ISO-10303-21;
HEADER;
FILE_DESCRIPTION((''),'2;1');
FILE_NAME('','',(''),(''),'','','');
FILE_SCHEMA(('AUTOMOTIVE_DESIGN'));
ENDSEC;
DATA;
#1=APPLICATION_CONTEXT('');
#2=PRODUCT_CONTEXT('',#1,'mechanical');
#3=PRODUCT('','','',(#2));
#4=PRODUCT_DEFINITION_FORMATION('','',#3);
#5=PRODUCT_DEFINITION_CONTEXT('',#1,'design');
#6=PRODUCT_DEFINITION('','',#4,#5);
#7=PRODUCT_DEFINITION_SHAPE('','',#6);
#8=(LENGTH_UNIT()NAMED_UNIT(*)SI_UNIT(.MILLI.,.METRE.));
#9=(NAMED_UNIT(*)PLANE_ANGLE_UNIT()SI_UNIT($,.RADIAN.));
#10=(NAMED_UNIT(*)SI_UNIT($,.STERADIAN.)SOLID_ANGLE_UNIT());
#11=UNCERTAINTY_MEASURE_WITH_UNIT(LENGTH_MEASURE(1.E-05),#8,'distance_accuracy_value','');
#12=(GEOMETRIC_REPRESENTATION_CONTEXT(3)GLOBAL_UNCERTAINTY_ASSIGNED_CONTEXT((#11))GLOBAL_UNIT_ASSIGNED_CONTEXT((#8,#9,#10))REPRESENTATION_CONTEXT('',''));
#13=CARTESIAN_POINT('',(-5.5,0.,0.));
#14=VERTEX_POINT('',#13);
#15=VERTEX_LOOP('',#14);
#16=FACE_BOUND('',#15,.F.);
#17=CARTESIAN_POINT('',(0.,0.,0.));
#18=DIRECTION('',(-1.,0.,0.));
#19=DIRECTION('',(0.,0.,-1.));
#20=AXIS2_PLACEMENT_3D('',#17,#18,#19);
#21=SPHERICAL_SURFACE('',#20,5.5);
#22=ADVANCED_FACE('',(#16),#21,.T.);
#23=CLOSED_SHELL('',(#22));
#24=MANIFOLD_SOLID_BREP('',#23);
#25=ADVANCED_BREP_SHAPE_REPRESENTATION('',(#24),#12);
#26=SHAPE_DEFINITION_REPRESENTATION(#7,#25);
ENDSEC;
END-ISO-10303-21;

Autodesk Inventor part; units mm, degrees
ref_plane "YZ Plane" through (0, 0, 0) normal (1, 0, 0) x (0, 1, 0)
ref_plane "XY Plane" through (0, 0, 0) normal (0, 0, 1) x (1, 0, 0)
sketch "Sketch1" plane through (0, 0, 0) normal (0, 1, 0) x (-1, 0, 0)
  point P0 (0, 0)
ref_plane "Work Plane1" through (0, 0, 0) normal (0, 1, 0) x (-1, 0, 0)
sketch "Sketch2" plane through (0, 0, 0) normal (0, 1, 0) x (-1, 0, 0)
  arc A0 (5.5, 0) -> (-5.5, 0) centre (0, 0) ccw construction
  line L0 (-5.5, 0) -> (5.5, 0)
  arc A1 (-5.5, 0) -> (5.5, 0) centre (0, 0) ccw
  arc A2 (-5.5, 0) -> (5.5, 0) centre (0, 0) ccw
  line L1 (7.7, 0) -> (-7.7, 0) projected
revolve "Revolution1" add sketch "Sketch2" angle 360 about axis through (-10, 0, 0) along (1, 0, 0)
properties part number "part_pinball_ece115"
